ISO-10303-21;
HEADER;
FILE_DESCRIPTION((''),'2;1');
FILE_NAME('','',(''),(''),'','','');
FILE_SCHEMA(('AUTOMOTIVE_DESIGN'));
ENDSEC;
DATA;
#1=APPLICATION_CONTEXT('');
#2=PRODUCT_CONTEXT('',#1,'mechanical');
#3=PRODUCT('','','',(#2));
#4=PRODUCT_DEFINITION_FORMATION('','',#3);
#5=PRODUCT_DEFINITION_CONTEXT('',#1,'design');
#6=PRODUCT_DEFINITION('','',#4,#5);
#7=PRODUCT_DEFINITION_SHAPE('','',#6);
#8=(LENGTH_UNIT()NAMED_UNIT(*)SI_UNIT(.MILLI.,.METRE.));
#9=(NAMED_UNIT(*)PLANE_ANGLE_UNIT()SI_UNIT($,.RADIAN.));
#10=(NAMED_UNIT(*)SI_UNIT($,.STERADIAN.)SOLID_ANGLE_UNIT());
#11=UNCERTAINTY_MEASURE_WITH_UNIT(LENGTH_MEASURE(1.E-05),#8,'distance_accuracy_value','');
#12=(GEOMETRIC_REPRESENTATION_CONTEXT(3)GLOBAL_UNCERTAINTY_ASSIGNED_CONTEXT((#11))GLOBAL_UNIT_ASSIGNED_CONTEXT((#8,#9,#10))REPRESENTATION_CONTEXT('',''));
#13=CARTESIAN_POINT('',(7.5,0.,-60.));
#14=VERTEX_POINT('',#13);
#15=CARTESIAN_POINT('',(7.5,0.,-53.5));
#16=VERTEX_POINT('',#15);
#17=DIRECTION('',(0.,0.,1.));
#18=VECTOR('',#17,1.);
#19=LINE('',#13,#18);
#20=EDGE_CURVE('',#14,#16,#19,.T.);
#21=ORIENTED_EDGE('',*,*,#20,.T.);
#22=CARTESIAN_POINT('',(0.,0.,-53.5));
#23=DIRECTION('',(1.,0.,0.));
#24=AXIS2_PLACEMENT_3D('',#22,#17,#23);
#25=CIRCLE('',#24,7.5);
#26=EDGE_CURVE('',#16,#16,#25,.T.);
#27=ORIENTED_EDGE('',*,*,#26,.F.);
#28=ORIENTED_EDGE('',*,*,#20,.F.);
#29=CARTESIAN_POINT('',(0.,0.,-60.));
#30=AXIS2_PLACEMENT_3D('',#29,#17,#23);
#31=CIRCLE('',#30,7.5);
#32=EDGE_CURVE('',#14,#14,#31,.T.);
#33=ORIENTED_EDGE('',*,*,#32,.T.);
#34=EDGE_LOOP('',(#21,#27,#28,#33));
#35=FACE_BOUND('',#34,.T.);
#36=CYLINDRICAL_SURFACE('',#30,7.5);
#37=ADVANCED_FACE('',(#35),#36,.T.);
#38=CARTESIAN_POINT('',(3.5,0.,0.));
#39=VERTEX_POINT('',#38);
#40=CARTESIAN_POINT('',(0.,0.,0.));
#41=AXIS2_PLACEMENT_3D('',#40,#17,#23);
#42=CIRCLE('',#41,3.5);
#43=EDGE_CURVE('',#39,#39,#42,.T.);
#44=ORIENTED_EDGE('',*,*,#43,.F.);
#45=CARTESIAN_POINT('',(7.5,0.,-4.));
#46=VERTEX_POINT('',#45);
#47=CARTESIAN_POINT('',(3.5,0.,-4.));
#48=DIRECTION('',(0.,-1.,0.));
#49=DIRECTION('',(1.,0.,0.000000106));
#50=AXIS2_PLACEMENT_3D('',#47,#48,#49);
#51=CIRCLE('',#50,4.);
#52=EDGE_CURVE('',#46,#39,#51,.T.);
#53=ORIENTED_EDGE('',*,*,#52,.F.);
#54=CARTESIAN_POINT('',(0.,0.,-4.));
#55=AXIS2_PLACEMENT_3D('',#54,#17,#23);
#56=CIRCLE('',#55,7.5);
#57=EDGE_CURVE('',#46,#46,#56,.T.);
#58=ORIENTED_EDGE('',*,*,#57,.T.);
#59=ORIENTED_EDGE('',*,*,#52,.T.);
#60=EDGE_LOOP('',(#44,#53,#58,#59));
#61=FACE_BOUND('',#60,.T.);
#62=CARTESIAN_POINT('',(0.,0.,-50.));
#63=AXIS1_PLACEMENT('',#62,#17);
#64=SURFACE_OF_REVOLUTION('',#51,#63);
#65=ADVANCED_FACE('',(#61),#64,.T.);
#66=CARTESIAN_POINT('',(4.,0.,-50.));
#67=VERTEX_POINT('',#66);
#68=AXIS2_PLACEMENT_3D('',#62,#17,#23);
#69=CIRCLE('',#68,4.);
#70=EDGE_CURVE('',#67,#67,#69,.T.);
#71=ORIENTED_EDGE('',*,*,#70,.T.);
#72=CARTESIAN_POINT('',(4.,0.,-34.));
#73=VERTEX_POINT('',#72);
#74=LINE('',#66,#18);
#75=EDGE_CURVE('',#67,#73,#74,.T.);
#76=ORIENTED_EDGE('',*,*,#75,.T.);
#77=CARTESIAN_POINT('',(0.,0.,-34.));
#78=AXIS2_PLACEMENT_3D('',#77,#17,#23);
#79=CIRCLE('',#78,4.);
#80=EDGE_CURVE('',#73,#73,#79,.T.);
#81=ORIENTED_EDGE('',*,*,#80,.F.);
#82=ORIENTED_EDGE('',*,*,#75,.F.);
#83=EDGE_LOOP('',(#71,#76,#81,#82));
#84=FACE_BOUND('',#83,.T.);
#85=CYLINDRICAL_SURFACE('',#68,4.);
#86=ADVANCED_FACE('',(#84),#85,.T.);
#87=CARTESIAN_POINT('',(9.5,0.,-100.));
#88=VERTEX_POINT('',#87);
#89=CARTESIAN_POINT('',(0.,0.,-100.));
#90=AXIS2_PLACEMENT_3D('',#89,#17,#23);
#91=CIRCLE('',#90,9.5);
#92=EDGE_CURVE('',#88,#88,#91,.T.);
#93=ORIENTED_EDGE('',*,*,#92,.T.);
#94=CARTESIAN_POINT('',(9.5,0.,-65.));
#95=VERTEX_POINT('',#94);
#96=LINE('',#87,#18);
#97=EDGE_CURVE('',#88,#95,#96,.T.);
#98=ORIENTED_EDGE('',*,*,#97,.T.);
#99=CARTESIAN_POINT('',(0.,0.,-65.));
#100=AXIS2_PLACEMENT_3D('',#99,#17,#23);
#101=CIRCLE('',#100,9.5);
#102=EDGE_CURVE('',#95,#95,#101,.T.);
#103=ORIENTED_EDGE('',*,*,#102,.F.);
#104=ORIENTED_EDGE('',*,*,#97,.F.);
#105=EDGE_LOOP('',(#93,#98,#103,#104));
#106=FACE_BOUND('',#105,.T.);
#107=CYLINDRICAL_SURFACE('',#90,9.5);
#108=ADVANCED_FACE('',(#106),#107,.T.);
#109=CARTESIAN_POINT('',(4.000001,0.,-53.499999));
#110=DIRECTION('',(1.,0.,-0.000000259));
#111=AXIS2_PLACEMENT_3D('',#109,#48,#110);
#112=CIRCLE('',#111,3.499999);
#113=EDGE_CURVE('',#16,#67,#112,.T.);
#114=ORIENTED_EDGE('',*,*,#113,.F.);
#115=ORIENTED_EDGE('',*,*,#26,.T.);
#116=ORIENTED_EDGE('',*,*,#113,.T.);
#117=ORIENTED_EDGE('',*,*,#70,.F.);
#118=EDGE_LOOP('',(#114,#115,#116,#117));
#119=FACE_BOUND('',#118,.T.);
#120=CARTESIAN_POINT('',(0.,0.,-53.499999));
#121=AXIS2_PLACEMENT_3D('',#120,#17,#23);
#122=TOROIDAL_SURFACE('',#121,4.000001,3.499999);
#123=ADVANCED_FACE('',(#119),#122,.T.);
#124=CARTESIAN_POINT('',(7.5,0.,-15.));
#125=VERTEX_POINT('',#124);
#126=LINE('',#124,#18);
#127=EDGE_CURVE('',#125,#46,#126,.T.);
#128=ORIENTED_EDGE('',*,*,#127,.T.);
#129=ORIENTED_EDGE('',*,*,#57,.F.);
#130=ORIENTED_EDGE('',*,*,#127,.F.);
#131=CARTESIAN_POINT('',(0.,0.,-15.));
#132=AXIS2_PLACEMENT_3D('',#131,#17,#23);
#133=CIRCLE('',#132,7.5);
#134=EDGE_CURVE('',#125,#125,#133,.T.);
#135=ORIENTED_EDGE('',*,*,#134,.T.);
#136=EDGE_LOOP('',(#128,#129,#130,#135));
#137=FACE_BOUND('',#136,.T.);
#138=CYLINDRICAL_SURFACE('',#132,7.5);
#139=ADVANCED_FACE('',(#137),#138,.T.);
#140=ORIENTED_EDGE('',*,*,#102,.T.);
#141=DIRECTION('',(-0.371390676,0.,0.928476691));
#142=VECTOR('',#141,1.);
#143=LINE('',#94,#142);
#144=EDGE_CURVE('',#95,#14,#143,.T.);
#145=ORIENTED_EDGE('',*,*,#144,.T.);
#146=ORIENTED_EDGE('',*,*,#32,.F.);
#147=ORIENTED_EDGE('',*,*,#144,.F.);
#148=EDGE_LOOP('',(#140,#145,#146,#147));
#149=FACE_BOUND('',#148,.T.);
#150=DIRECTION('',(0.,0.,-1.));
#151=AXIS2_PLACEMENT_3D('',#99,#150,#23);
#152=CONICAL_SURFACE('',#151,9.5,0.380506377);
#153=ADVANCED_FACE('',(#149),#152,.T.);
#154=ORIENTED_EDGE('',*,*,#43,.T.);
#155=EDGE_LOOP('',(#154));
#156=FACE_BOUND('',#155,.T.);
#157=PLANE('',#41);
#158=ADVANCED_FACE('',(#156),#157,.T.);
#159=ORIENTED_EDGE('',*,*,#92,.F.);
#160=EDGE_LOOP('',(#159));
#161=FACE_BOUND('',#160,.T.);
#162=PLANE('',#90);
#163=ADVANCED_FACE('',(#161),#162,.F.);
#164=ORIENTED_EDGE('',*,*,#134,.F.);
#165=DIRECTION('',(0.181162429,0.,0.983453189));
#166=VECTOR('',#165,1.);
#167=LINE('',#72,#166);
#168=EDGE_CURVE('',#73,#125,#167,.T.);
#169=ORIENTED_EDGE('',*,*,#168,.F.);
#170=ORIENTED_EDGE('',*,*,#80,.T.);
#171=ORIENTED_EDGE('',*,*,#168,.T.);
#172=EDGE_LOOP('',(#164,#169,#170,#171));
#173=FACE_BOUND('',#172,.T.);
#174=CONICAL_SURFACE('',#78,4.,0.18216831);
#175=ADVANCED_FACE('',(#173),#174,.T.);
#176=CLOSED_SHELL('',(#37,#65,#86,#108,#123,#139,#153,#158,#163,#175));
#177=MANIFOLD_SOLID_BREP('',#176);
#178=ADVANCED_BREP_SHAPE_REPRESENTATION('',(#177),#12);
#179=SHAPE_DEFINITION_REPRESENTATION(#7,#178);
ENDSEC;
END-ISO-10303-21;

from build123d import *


with BuildPart() as f1:
    # F0 (on Front) → F1 (revolve)
    with BuildSketch(Plane.XZ):
        with BuildLine():
            Line((3.5, 0), (0, 0))
            Line((0, 0), (0, -100))
            Line((0, -100), (9.5, -100))
            Line((9.5, -100), (9.5, -65))
            Line((9.5, -65), (7.5, -60))
            Line((7.5, -60), (7.5, -53.5))
            ThreePointArc((7.5, -53.5), (6.474874, -51.025126), (4, -50))
            Line((4, -50), (4, -34))
            Line((4, -34), (7.5, -15))
            Line((7.5, -15), (7.5, -4))
            ThreePointArc((7.5, -4), (6.328427, -1.171573), (3.5, 0))
        make_face()
    revolve(axis=Axis((0, 0, -50), (0, 0, 1)))


solid = f1.part
